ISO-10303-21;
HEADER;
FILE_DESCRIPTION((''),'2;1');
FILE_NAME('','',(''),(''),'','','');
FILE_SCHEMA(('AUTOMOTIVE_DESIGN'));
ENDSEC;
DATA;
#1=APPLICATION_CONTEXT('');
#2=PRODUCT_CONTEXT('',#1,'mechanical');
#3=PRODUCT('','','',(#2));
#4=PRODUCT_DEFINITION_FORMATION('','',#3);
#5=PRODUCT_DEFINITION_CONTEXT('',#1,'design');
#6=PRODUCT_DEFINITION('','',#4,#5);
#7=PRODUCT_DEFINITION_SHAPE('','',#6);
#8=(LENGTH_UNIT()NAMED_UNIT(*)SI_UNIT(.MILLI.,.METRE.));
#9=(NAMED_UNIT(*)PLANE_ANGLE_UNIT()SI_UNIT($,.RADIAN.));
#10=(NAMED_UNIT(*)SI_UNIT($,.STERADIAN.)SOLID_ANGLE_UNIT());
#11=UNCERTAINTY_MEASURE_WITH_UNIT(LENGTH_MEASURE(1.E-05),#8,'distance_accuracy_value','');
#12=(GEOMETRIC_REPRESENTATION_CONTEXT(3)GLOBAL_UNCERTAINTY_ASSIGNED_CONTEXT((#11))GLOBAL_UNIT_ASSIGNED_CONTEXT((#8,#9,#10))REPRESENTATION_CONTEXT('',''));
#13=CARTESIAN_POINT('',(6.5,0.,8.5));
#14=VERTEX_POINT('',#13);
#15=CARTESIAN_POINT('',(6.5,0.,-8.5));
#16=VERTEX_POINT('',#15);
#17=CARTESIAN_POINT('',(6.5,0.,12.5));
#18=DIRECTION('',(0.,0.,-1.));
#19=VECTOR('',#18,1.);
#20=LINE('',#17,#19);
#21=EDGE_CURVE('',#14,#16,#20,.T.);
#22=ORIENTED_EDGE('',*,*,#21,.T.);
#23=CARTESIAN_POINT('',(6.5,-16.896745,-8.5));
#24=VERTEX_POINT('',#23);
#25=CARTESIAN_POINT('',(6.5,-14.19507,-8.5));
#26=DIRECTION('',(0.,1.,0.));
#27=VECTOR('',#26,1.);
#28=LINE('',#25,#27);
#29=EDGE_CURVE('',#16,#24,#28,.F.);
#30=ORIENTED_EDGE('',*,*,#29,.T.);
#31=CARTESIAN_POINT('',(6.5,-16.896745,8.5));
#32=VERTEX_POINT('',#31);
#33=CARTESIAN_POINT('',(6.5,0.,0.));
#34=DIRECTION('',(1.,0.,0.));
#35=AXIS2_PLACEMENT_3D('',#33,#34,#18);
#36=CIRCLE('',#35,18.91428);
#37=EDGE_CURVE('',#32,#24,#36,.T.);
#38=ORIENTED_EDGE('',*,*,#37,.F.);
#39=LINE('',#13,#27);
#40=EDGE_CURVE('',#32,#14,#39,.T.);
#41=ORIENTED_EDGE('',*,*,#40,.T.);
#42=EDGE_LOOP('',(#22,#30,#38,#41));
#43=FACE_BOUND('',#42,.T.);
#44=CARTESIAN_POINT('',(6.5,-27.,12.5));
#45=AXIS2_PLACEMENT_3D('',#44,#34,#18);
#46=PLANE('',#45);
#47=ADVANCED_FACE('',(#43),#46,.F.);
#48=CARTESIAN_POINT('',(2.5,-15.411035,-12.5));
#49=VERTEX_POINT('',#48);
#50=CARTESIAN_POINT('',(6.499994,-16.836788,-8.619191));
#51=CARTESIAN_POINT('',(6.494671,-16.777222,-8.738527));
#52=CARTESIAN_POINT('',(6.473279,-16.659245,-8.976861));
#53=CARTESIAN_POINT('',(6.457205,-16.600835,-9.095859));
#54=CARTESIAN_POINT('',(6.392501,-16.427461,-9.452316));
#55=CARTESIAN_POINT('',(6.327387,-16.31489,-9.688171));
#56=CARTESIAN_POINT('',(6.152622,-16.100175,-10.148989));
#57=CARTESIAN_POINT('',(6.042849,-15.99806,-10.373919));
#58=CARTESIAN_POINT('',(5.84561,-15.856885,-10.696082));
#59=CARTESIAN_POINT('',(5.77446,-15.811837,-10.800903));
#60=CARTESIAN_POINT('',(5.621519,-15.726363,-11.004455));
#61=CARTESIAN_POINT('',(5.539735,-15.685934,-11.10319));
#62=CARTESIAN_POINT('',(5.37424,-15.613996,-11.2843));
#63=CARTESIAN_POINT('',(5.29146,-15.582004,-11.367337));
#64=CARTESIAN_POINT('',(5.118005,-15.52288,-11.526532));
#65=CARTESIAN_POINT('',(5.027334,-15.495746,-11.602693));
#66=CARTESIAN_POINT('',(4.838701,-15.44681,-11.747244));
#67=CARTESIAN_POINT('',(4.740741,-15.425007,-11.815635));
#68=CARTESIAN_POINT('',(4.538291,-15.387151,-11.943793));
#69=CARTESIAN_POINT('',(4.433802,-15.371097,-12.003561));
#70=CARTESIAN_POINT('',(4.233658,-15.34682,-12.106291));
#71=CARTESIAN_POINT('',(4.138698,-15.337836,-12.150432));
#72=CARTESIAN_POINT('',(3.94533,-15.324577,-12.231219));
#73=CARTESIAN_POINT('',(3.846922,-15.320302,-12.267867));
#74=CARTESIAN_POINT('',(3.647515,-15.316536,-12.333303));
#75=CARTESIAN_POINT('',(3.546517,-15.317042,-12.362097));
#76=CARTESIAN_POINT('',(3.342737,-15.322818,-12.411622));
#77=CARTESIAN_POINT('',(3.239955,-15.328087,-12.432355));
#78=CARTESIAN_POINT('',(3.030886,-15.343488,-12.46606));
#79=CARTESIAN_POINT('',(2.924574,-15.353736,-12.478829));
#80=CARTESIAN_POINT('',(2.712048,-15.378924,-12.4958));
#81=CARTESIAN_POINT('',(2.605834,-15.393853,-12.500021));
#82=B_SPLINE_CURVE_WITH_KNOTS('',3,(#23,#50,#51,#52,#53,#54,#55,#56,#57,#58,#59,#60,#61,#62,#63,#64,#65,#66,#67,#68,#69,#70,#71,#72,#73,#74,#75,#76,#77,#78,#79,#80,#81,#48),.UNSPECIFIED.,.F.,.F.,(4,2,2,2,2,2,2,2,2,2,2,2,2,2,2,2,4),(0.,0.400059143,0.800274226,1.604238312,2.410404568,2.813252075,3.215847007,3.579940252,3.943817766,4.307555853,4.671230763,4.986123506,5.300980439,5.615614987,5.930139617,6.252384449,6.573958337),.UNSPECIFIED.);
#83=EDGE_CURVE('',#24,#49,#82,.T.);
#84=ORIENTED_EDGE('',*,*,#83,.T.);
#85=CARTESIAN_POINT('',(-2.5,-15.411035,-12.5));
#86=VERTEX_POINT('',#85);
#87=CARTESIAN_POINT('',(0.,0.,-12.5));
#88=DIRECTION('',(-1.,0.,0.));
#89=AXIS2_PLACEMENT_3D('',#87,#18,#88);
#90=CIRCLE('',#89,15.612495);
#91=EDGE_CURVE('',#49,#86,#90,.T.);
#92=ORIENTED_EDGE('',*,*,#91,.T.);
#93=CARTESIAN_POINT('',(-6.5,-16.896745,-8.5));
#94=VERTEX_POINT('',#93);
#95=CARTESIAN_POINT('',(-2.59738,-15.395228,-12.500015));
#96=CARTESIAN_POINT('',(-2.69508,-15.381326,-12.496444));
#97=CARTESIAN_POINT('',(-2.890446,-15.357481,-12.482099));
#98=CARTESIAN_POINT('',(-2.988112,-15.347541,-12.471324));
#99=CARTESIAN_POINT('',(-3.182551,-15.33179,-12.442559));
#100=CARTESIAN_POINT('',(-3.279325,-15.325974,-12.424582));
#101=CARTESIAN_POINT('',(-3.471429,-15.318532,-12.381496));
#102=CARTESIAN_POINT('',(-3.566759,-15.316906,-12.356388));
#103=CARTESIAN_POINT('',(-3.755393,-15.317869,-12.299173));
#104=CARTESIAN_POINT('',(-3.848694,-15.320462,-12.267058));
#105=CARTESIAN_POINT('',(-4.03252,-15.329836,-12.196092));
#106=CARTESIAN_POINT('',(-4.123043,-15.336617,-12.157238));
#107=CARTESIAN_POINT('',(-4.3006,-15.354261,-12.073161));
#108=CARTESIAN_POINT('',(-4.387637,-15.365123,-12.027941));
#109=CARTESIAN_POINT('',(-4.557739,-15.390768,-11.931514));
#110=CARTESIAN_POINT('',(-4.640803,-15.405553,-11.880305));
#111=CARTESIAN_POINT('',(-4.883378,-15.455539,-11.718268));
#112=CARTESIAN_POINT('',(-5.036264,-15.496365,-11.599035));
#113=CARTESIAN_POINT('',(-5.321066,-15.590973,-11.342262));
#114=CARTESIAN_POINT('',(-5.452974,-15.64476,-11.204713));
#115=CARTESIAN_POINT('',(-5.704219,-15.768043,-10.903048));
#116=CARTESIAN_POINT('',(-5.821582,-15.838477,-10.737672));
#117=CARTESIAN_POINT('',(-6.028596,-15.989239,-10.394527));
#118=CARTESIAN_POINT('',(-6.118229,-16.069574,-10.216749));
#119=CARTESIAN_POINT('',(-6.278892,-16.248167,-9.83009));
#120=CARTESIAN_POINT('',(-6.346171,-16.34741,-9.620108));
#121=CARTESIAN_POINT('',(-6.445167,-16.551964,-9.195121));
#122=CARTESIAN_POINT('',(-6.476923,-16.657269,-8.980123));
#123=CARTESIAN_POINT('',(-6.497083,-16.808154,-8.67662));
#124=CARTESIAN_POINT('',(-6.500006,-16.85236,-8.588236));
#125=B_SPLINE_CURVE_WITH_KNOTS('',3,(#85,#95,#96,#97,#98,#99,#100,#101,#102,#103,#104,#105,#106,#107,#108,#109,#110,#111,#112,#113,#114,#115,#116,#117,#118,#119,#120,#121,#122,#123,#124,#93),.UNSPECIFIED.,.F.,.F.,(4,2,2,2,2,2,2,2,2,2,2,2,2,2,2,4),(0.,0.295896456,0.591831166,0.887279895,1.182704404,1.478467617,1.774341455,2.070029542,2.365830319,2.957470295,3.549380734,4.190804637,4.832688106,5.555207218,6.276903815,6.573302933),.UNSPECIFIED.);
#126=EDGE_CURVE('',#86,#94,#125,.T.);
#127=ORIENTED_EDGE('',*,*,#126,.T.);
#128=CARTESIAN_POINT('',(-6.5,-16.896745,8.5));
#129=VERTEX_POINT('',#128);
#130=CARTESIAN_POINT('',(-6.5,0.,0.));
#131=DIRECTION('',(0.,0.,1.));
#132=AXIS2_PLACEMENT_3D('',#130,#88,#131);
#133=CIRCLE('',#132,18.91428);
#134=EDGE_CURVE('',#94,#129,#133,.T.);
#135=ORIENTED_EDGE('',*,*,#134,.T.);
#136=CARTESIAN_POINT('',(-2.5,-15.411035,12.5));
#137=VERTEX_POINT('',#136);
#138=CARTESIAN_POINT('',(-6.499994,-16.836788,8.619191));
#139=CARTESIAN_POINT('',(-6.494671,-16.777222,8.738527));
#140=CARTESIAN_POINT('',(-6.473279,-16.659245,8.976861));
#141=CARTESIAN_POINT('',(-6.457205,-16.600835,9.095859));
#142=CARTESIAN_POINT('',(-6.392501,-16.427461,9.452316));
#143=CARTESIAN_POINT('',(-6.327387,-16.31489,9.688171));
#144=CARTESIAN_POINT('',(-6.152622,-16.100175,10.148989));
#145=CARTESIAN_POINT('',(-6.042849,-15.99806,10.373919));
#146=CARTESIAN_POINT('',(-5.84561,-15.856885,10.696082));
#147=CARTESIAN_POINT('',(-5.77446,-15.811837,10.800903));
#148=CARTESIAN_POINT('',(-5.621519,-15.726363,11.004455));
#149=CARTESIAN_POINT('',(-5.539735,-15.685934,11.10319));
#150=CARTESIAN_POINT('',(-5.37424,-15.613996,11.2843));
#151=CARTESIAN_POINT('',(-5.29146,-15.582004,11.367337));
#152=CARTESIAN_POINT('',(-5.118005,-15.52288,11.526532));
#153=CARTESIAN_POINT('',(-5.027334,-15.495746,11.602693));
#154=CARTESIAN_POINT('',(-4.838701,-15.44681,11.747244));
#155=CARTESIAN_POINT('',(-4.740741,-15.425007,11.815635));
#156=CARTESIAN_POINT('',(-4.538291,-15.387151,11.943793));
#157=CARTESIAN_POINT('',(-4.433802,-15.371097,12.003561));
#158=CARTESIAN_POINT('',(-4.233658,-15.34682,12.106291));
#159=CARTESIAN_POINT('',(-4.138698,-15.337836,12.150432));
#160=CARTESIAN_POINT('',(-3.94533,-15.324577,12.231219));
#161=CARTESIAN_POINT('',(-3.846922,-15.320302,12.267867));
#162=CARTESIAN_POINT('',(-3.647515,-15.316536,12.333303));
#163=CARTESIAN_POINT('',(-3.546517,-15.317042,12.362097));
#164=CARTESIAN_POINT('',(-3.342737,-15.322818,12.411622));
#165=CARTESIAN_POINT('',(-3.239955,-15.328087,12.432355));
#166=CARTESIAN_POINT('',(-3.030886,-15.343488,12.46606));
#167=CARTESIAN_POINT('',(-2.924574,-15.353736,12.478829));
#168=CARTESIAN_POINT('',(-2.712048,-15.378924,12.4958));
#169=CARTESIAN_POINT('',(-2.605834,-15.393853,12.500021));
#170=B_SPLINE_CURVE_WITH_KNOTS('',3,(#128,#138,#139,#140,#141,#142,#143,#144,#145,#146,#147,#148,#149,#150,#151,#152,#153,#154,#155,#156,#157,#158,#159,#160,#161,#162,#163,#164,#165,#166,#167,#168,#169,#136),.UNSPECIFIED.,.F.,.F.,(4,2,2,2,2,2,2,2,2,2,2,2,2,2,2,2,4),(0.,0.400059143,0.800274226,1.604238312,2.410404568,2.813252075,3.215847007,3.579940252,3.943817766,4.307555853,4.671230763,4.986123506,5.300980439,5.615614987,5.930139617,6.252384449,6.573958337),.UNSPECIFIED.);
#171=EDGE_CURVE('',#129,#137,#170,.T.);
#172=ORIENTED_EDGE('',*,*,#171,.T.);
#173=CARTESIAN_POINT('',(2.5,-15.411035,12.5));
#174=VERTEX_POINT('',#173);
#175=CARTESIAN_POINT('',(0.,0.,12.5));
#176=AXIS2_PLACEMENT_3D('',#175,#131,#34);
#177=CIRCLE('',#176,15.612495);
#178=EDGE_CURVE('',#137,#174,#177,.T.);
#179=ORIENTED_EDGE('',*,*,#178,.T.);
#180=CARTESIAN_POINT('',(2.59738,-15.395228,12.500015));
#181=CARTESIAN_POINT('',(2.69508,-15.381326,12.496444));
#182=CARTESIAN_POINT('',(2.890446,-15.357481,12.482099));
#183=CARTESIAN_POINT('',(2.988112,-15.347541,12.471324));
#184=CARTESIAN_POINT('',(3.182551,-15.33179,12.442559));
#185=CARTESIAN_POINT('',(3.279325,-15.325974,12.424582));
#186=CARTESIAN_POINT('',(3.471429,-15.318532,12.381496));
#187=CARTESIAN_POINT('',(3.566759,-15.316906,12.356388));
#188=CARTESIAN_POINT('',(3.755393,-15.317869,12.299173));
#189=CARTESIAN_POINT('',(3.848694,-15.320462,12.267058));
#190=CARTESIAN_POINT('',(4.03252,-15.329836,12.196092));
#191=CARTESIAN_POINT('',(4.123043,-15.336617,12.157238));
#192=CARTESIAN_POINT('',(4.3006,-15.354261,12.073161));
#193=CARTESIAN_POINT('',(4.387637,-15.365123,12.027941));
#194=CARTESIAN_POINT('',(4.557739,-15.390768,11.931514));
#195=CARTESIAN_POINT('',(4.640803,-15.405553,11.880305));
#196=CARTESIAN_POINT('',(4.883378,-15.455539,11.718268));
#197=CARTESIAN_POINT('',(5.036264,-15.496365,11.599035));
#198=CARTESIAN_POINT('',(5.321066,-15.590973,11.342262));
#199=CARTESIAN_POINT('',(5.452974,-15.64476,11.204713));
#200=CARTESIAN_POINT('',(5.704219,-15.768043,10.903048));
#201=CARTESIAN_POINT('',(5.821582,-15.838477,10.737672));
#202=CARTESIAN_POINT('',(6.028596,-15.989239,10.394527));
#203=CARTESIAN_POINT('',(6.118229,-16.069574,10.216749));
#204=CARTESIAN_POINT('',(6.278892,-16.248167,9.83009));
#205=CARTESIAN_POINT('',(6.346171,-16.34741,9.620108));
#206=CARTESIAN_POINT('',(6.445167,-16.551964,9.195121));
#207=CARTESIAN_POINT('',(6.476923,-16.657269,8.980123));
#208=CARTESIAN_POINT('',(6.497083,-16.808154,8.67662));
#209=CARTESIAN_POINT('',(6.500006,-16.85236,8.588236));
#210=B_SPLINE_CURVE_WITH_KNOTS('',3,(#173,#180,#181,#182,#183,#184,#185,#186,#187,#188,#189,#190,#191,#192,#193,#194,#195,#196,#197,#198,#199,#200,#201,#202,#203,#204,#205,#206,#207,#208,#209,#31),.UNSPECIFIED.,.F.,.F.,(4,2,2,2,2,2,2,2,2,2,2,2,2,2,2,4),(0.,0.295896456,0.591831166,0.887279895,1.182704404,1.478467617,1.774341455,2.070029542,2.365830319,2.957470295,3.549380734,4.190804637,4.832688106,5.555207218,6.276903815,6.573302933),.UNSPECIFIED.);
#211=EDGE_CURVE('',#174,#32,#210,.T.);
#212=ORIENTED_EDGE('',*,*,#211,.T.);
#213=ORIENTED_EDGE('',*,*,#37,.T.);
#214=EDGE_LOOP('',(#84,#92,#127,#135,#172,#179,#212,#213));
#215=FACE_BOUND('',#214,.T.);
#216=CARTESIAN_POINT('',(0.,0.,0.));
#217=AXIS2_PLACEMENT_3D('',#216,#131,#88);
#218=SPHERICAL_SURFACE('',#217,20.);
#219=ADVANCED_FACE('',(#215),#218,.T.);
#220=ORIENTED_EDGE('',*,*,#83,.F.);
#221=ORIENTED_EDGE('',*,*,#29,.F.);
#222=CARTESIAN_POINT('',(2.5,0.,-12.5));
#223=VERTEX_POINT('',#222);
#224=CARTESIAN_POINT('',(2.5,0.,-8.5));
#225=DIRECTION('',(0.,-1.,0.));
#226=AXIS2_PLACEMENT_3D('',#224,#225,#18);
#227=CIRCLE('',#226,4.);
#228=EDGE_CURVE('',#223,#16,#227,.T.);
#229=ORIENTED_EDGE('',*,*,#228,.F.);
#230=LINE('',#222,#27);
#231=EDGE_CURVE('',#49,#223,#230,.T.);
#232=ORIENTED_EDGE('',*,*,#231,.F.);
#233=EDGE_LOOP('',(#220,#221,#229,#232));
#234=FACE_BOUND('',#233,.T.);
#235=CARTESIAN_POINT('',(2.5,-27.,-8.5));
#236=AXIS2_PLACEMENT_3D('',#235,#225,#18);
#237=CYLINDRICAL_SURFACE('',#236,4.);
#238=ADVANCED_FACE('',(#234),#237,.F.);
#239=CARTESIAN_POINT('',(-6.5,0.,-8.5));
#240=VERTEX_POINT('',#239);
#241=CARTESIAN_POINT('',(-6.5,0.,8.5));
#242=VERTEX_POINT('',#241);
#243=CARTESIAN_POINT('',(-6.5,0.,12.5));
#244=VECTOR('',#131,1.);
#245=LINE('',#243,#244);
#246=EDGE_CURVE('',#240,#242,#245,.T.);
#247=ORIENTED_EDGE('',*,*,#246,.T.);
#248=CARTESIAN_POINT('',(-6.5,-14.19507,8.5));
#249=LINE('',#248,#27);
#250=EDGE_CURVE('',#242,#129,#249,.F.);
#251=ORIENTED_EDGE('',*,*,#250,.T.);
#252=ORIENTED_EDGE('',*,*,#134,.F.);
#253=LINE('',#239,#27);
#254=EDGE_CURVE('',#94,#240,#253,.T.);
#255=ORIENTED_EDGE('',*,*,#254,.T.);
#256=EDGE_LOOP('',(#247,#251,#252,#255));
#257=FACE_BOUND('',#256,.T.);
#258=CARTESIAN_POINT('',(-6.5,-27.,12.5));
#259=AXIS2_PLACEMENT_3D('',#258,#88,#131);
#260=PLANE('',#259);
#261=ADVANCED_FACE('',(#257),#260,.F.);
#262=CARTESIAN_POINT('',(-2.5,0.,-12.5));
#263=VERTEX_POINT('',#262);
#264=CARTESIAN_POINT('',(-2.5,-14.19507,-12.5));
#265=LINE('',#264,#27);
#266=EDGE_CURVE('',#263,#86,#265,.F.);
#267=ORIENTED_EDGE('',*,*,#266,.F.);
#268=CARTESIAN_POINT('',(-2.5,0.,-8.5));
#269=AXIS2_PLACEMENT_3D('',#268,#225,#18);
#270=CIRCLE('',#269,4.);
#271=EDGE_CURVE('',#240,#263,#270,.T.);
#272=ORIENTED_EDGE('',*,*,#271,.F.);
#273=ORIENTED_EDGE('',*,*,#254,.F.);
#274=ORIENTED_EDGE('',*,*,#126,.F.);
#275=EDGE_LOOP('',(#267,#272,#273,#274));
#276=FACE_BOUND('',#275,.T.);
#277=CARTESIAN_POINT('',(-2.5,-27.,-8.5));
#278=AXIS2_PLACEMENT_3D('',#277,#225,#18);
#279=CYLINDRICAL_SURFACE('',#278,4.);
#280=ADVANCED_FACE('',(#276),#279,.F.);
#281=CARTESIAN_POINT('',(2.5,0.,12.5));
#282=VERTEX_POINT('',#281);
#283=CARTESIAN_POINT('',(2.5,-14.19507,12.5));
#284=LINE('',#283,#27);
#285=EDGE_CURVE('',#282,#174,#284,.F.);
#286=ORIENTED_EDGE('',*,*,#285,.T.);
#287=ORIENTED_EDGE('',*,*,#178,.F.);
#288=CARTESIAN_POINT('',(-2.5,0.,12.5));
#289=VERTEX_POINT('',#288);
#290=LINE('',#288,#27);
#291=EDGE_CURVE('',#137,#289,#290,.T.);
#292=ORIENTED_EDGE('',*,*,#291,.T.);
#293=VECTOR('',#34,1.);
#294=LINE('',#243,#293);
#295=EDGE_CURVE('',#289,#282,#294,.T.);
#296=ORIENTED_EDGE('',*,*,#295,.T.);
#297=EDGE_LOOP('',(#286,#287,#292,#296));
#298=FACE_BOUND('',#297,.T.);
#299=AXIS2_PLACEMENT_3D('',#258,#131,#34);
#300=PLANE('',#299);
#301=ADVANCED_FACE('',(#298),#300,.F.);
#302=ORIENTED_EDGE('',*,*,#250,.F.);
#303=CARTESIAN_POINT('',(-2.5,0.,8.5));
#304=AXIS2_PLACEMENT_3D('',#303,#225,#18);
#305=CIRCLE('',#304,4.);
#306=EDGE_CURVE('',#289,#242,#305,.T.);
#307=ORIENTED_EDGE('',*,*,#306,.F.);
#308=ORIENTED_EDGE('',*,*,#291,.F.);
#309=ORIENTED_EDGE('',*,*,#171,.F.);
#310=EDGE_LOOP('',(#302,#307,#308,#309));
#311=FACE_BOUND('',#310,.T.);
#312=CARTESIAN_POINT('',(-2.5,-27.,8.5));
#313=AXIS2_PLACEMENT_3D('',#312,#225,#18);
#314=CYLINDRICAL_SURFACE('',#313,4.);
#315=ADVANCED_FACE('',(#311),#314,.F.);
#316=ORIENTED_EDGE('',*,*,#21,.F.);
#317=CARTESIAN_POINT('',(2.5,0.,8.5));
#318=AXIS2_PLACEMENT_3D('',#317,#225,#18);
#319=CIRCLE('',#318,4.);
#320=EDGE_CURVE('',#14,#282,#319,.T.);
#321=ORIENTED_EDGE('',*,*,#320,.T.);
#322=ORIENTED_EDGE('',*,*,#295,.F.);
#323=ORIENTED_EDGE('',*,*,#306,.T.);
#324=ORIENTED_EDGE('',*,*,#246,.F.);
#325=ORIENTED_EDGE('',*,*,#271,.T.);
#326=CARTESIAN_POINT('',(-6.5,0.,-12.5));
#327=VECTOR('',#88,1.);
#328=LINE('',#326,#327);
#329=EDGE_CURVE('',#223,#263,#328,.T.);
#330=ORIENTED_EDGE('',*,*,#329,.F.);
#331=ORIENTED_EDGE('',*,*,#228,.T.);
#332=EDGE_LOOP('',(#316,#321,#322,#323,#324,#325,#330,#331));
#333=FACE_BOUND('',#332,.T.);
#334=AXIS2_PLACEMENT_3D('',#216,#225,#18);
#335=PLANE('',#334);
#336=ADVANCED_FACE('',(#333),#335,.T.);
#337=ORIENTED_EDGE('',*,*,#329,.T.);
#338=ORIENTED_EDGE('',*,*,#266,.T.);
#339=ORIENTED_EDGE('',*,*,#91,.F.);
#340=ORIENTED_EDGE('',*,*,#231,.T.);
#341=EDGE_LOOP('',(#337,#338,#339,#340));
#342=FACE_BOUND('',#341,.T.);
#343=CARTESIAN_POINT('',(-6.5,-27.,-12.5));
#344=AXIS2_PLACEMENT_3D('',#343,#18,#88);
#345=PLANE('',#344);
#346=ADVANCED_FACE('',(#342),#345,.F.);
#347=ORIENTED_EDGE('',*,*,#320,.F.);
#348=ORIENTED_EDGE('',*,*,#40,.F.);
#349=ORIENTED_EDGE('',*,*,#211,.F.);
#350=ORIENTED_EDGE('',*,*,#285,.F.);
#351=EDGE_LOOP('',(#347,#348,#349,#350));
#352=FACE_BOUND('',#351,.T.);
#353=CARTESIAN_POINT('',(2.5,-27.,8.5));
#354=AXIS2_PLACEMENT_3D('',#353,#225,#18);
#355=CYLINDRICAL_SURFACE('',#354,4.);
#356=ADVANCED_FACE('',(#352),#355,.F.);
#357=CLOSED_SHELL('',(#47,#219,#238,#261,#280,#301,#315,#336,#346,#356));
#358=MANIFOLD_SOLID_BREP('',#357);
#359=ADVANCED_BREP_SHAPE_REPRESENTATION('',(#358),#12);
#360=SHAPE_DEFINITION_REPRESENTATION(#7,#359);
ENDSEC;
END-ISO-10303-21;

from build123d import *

# Parameters (mm, degrees)
SKETCH3_W          = 13
SKETCH3_H          = 25
CUT_EXTRUDE1_DEPTH = 27
FILLET1_R          = 4


with BuildPart() as part:
    # Sketch2 → Revolve1 (revolve)
    with BuildSketch(Plane(origin=(0, 0, 0), x_dir=(1, 0, 0), z_dir=(0, 1, 0))):
        with BuildLine():
            Line((0, -20), (0, 20))
            ThreePointArc((0, 20), (-20, 0), (0, -20))
        make_face()
    revolve(axis=Axis((0, 0, 20), (0, 0, -1)))

    # Sketch3 → Cut-Extrude1 (cut)
    with BuildSketch(Plane(origin=(0, 0, 0), x_dir=(1, 0, 0), z_dir=(0, 1, 0))):
        Rectangle(SKETCH3_W, SKETCH3_H)
    extrude(amount=-CUT_EXTRUDE1_DEPTH, mode=Mode.SUBTRACT)

    # Fillet1
    fillet1_edges = [part.edges().sort_by_distance(p)[0] for p in [
        (6.5, -7.097534783, -12.5),
        (6.5, -7.097534783, 12.5),
        (-6.5, -7.097534783, 12.5),
        (-6.5, -7.097534783, -12.5),
    ]]
    fillet(fillet1_edges, radius=FILLET1_R)


solid = part.part
